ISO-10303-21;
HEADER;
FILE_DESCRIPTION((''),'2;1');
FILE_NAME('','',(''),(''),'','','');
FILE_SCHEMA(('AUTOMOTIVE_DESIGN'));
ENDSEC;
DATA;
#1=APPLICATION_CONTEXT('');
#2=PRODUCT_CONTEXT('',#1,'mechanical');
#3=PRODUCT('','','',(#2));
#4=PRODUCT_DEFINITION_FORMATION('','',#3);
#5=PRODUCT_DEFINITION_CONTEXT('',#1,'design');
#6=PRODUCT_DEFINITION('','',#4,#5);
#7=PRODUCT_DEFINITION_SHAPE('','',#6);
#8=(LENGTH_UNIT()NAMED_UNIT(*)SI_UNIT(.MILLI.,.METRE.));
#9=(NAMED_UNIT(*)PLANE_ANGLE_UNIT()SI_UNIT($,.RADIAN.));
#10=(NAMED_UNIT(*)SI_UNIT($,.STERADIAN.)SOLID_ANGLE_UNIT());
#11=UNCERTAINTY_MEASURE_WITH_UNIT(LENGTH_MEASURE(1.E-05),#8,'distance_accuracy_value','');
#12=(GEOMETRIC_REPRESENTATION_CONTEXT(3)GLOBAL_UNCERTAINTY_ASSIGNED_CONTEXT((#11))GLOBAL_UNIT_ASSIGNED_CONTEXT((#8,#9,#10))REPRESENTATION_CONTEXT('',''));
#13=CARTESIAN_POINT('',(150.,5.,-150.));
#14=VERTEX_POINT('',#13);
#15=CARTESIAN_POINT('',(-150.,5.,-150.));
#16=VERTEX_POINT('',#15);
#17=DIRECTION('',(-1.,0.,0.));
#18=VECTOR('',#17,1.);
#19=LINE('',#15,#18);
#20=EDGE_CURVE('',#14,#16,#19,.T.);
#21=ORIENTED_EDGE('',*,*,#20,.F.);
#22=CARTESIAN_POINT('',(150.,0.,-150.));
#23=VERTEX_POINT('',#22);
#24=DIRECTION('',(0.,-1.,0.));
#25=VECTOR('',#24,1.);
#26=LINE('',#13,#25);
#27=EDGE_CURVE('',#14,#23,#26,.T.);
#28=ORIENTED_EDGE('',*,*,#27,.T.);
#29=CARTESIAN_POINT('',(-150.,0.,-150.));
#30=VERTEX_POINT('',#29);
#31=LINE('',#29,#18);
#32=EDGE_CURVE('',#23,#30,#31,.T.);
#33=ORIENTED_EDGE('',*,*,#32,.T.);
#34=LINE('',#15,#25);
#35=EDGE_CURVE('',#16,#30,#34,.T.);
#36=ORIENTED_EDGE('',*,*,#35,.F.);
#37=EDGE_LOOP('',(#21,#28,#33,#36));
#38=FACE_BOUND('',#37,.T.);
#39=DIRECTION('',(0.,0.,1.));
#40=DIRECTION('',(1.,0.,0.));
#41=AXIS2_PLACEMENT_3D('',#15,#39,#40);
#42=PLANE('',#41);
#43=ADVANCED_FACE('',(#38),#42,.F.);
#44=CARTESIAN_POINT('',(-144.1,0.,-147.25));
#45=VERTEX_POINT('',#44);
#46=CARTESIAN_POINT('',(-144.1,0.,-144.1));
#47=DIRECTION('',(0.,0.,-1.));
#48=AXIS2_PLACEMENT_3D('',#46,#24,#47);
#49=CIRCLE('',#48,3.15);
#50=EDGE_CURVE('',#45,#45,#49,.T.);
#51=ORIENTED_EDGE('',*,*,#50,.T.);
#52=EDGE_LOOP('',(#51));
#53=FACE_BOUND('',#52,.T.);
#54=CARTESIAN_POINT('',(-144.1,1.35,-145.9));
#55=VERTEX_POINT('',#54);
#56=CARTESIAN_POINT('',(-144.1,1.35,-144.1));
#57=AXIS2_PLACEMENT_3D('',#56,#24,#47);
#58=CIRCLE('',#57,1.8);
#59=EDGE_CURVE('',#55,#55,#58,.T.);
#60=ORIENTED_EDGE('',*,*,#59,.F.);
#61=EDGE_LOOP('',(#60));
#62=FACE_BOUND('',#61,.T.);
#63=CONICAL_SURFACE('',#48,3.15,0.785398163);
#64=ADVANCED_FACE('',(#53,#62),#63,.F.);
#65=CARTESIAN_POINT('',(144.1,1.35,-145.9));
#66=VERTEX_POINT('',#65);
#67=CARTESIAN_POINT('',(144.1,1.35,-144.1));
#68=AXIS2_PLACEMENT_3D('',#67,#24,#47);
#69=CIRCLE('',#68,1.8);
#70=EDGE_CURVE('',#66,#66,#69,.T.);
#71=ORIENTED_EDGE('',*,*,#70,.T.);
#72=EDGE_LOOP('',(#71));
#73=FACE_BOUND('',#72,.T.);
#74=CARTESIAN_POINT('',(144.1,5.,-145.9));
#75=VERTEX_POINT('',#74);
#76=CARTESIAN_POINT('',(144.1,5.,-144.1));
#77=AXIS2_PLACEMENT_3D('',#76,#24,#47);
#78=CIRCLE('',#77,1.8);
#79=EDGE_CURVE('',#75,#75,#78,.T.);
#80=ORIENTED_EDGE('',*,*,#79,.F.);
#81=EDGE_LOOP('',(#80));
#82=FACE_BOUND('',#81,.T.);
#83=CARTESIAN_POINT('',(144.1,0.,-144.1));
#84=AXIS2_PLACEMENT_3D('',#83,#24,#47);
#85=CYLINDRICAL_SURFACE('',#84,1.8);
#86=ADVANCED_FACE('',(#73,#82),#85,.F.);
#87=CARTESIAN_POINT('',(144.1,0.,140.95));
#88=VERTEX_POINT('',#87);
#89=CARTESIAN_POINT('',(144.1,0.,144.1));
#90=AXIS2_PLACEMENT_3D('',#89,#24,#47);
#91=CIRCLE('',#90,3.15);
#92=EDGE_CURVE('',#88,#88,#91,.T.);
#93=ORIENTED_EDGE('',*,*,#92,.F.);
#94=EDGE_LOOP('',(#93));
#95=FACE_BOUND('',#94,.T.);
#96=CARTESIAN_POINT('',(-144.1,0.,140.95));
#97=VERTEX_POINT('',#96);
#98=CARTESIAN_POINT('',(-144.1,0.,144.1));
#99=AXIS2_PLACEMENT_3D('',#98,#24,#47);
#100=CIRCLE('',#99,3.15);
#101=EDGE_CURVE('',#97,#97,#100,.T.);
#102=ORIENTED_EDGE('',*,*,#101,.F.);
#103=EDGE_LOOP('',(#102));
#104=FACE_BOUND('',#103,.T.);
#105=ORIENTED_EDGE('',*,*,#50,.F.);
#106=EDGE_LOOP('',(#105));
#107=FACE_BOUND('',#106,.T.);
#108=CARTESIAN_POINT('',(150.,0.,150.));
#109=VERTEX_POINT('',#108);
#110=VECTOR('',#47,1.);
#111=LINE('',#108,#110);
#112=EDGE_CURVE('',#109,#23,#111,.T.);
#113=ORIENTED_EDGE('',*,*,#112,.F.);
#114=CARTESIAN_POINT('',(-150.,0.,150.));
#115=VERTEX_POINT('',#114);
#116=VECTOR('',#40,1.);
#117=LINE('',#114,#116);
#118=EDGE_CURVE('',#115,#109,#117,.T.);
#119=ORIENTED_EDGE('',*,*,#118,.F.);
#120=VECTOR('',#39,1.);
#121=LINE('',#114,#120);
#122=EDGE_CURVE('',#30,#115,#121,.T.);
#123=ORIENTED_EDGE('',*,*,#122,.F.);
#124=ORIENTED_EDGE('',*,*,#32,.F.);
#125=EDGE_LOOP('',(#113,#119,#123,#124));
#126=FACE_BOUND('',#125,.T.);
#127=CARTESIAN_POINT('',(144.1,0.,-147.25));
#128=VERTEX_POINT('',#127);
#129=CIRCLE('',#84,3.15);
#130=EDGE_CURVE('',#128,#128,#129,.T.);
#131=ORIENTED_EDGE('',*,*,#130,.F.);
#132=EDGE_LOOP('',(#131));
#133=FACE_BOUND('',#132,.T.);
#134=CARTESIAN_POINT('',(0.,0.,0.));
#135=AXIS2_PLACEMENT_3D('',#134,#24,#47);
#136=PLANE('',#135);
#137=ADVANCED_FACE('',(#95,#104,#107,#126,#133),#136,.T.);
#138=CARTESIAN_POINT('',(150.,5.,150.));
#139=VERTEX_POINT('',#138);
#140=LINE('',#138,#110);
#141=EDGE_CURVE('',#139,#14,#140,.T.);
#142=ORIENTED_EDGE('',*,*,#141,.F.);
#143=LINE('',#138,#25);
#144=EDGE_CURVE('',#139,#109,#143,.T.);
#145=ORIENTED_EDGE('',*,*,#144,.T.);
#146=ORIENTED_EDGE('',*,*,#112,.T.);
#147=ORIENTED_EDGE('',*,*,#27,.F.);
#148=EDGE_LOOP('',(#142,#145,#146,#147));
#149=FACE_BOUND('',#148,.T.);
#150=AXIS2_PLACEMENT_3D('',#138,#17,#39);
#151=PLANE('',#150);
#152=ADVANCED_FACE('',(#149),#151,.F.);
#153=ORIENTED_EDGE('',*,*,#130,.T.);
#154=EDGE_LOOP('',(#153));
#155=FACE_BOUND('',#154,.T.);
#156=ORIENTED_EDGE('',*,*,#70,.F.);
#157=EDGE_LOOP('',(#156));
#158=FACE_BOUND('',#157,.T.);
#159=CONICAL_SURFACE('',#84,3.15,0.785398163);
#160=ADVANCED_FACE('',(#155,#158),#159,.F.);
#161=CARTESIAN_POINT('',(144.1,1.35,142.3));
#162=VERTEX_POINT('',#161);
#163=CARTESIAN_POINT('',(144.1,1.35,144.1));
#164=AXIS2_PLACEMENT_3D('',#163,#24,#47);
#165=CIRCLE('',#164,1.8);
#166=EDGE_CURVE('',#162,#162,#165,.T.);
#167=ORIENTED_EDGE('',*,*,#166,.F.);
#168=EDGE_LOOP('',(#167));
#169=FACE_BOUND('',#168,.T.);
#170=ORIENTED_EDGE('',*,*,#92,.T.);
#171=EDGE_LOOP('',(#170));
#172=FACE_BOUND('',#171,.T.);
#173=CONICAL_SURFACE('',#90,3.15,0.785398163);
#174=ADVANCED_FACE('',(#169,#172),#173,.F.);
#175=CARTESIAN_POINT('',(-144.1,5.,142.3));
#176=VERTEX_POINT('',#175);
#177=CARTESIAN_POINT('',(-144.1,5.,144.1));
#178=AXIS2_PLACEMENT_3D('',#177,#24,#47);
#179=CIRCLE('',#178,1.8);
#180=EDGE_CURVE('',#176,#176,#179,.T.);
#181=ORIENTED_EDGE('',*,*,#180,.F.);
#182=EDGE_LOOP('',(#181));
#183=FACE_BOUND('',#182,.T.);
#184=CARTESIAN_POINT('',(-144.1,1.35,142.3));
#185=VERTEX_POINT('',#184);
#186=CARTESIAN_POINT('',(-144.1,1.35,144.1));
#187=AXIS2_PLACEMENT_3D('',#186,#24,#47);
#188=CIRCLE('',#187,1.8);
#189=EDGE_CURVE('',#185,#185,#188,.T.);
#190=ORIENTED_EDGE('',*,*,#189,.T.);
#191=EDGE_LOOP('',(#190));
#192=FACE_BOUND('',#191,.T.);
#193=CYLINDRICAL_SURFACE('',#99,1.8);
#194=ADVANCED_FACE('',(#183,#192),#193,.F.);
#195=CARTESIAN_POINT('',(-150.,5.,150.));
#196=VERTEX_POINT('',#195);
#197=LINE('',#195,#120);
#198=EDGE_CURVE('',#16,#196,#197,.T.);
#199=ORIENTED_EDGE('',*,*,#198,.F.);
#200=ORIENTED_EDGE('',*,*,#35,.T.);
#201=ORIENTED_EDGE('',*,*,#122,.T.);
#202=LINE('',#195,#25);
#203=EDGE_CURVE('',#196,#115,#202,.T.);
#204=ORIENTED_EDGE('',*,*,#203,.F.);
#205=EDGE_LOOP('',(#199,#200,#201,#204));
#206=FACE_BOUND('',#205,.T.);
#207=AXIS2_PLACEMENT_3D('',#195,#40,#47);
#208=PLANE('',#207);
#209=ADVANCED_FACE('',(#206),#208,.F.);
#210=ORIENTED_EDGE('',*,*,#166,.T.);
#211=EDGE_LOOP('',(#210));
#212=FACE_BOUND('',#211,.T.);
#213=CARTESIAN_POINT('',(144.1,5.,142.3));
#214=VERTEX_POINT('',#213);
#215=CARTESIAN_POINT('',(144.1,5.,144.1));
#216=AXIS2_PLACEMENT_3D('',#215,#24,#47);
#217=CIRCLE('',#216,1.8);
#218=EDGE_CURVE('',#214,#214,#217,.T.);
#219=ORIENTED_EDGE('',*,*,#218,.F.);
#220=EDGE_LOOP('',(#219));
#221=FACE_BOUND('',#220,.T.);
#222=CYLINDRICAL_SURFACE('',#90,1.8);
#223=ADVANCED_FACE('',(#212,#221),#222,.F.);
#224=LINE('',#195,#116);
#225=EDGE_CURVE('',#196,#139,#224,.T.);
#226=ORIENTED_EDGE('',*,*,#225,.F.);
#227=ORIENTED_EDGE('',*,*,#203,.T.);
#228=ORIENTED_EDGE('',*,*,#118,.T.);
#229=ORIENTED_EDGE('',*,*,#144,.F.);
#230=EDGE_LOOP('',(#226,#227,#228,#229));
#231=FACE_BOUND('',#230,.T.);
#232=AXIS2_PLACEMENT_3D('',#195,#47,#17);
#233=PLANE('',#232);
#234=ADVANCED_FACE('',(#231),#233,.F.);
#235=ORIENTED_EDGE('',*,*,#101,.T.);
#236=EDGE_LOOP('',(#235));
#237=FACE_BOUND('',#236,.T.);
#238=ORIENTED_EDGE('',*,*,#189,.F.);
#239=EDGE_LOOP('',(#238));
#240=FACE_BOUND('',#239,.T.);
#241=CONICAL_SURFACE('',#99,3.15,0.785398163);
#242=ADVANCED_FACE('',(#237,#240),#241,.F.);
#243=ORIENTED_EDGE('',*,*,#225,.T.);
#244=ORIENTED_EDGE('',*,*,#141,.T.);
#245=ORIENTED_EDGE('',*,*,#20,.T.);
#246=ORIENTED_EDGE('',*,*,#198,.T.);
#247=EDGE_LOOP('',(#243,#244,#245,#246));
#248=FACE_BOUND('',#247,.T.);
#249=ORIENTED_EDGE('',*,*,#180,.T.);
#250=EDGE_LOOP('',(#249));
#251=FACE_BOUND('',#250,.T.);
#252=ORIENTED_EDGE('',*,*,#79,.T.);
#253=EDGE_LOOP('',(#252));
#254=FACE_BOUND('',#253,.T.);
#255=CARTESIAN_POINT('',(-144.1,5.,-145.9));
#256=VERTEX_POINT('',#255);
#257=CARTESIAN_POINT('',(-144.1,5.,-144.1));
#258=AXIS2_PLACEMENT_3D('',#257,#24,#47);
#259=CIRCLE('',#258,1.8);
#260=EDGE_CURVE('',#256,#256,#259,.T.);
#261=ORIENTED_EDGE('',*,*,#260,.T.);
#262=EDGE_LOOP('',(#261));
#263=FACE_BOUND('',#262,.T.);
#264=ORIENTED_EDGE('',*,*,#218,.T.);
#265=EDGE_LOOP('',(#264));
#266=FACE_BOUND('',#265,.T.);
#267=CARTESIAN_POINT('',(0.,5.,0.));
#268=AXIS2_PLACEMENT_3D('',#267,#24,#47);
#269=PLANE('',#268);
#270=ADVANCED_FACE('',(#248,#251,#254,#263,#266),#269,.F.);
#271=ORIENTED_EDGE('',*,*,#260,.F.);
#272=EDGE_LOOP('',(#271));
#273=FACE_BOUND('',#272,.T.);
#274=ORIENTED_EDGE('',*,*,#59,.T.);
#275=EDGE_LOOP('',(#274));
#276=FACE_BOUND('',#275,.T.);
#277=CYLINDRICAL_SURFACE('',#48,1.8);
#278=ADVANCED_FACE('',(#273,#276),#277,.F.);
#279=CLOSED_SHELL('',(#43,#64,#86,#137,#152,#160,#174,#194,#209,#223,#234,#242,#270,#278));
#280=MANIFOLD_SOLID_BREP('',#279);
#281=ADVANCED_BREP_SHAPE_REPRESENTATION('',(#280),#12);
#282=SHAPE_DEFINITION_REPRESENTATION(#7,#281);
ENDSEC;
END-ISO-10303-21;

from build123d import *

# Parameters (mm, degrees)
SKETCH1_W                                           = 300
SKETCH1_H                                           = 300
BOSS_EXTRUDE1_DEPTH                                 = 5
CSK_FOR_M3_COUNTERSUNK_FLAT_HEAD_SCREW1_D           = 3.6
CSK_FOR_M3_COUNTERSUNK_FLAT_HEAD_SCREW1_CSINK_D     = 6.3
CSK_FOR_M3_COUNTERSUNK_FLAT_HEAD_SCREW1_CSINK_ANGLE = 90


with BuildPart() as part:
    # Sketch1 → Boss-Extrude1 (new body)
    with BuildSketch(Plane(origin=(0, 0, 0), x_dir=(1, 0, 0), z_dir=(0, 1, 0))):
        Rectangle(SKETCH1_W, SKETCH1_H)
    extrude(amount=BOSS_EXTRUDE1_DEPTH)

    # CSK for M3 Countersunk Flat Head Screw1 (through all)
    with Locations(Plane(origin=(144.1, 0, 144.1), x_dir=(0, 0, -1), z_dir=(0, -1, 0))):
        with Locations((0, 0), (0, -288.2), (288.2, -288.2), (288.2, 0)):
            CounterSinkHole(CSK_FOR_M3_COUNTERSUNK_FLAT_HEAD_SCREW1_D / 2, CSK_FOR_M3_COUNTERSUNK_FLAT_HEAD_SCREW1_CSINK_D / 2, counter_sink_angle=CSK_FOR_M3_COUNTERSUNK_FLAT_HEAD_SCREW1_CSINK_ANGLE)


solid = part.part
